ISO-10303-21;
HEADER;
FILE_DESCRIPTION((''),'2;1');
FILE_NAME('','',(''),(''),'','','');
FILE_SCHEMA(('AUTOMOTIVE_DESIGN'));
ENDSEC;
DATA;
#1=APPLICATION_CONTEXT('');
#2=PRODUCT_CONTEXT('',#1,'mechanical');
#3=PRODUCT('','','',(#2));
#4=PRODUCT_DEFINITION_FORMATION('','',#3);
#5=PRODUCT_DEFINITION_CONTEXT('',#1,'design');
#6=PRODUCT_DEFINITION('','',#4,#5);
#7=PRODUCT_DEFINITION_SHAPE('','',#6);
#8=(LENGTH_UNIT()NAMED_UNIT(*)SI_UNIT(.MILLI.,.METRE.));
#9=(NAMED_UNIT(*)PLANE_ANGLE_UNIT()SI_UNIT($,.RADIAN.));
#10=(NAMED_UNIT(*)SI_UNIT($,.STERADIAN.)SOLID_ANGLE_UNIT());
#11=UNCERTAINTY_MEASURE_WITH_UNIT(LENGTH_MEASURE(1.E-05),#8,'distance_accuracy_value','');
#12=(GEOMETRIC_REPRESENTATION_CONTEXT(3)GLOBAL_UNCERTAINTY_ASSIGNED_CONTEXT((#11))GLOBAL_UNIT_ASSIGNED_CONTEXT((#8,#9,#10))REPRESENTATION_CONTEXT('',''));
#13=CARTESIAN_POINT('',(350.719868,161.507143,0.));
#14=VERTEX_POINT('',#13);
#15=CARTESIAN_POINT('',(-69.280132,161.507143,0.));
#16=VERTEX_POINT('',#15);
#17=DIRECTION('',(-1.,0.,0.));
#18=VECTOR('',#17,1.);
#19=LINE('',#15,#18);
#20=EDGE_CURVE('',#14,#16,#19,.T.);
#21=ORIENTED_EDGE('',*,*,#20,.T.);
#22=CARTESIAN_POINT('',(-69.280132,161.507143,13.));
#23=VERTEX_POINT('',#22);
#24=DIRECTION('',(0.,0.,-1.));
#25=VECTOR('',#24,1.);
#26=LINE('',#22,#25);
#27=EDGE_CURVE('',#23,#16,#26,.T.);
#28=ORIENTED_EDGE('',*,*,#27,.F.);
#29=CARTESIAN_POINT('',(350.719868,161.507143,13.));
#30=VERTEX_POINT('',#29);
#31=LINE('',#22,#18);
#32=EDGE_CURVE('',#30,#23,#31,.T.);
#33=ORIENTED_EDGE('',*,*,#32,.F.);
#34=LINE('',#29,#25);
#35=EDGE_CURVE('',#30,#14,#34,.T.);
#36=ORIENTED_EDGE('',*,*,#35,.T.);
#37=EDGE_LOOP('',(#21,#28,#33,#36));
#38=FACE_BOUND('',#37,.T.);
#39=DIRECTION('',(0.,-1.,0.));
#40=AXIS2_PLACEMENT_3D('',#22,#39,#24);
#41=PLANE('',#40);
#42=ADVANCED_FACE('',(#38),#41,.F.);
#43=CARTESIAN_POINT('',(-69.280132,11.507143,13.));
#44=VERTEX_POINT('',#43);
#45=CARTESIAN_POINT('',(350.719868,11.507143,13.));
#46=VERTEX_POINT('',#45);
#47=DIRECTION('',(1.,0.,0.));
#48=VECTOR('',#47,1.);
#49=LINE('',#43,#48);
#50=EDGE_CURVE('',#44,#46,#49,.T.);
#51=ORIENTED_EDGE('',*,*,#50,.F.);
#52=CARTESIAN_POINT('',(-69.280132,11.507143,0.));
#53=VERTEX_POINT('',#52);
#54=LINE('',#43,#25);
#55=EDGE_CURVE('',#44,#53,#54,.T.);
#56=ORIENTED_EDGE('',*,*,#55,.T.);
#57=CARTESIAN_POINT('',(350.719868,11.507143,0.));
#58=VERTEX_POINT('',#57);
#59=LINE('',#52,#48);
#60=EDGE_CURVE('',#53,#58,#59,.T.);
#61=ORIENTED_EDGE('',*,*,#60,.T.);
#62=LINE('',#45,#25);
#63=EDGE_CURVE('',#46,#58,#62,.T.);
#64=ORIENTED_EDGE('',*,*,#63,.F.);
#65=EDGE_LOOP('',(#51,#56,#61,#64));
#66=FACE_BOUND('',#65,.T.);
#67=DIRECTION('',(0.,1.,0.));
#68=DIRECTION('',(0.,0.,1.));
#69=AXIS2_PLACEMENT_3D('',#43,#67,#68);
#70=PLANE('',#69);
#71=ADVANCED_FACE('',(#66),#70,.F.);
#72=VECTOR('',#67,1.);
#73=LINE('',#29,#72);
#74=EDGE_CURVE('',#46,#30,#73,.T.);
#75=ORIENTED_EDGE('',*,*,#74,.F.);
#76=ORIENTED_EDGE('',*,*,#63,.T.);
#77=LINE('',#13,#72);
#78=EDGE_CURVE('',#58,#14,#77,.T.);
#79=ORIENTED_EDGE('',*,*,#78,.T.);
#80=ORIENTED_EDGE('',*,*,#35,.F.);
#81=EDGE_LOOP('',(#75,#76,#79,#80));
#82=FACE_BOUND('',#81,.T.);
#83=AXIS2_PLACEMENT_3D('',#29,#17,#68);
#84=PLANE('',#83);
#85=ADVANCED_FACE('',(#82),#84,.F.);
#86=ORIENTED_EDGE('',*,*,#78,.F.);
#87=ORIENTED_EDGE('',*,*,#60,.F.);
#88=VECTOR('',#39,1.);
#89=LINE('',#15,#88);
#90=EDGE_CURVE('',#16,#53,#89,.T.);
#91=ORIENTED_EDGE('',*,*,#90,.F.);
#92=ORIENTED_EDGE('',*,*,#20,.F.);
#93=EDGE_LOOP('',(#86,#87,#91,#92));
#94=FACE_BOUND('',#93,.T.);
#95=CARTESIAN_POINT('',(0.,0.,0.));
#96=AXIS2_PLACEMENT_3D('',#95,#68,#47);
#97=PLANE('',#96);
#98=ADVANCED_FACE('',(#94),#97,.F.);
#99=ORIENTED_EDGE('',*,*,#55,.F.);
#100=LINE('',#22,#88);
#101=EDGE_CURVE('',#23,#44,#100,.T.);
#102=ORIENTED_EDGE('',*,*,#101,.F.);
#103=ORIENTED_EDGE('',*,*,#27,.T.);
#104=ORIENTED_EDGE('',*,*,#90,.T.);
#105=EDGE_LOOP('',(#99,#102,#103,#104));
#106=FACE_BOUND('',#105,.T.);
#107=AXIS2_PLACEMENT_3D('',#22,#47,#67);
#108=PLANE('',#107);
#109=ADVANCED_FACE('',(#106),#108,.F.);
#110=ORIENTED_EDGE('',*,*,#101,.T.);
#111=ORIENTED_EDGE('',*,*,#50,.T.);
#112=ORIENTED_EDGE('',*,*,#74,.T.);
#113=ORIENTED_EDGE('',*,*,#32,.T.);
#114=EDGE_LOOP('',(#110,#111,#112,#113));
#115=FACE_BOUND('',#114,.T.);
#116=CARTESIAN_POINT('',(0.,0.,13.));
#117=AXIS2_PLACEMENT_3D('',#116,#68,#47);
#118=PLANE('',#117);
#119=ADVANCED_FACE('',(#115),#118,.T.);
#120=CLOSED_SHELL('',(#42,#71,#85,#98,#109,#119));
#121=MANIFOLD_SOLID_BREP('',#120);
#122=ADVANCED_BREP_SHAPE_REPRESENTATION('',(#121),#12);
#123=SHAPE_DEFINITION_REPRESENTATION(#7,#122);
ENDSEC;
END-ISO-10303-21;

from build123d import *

# Parameters (mm, degrees)
SKETCH_1_W      = 420
SKETCH_1_H      = 150
EXTRUDE_1_DEPTH = 13


with BuildPart() as part:
    # ｽｹｯﾁ1 → ﾎﾞｽ - 押し出し1 (new body)
    with BuildSketch(Plane.XY):
        with Locations((140.719868277, 86.507142857)):
            Rectangle(SKETCH_1_W, SKETCH_1_H)
    extrude(amount=EXTRUDE_1_DEPTH)


solid = part.part
